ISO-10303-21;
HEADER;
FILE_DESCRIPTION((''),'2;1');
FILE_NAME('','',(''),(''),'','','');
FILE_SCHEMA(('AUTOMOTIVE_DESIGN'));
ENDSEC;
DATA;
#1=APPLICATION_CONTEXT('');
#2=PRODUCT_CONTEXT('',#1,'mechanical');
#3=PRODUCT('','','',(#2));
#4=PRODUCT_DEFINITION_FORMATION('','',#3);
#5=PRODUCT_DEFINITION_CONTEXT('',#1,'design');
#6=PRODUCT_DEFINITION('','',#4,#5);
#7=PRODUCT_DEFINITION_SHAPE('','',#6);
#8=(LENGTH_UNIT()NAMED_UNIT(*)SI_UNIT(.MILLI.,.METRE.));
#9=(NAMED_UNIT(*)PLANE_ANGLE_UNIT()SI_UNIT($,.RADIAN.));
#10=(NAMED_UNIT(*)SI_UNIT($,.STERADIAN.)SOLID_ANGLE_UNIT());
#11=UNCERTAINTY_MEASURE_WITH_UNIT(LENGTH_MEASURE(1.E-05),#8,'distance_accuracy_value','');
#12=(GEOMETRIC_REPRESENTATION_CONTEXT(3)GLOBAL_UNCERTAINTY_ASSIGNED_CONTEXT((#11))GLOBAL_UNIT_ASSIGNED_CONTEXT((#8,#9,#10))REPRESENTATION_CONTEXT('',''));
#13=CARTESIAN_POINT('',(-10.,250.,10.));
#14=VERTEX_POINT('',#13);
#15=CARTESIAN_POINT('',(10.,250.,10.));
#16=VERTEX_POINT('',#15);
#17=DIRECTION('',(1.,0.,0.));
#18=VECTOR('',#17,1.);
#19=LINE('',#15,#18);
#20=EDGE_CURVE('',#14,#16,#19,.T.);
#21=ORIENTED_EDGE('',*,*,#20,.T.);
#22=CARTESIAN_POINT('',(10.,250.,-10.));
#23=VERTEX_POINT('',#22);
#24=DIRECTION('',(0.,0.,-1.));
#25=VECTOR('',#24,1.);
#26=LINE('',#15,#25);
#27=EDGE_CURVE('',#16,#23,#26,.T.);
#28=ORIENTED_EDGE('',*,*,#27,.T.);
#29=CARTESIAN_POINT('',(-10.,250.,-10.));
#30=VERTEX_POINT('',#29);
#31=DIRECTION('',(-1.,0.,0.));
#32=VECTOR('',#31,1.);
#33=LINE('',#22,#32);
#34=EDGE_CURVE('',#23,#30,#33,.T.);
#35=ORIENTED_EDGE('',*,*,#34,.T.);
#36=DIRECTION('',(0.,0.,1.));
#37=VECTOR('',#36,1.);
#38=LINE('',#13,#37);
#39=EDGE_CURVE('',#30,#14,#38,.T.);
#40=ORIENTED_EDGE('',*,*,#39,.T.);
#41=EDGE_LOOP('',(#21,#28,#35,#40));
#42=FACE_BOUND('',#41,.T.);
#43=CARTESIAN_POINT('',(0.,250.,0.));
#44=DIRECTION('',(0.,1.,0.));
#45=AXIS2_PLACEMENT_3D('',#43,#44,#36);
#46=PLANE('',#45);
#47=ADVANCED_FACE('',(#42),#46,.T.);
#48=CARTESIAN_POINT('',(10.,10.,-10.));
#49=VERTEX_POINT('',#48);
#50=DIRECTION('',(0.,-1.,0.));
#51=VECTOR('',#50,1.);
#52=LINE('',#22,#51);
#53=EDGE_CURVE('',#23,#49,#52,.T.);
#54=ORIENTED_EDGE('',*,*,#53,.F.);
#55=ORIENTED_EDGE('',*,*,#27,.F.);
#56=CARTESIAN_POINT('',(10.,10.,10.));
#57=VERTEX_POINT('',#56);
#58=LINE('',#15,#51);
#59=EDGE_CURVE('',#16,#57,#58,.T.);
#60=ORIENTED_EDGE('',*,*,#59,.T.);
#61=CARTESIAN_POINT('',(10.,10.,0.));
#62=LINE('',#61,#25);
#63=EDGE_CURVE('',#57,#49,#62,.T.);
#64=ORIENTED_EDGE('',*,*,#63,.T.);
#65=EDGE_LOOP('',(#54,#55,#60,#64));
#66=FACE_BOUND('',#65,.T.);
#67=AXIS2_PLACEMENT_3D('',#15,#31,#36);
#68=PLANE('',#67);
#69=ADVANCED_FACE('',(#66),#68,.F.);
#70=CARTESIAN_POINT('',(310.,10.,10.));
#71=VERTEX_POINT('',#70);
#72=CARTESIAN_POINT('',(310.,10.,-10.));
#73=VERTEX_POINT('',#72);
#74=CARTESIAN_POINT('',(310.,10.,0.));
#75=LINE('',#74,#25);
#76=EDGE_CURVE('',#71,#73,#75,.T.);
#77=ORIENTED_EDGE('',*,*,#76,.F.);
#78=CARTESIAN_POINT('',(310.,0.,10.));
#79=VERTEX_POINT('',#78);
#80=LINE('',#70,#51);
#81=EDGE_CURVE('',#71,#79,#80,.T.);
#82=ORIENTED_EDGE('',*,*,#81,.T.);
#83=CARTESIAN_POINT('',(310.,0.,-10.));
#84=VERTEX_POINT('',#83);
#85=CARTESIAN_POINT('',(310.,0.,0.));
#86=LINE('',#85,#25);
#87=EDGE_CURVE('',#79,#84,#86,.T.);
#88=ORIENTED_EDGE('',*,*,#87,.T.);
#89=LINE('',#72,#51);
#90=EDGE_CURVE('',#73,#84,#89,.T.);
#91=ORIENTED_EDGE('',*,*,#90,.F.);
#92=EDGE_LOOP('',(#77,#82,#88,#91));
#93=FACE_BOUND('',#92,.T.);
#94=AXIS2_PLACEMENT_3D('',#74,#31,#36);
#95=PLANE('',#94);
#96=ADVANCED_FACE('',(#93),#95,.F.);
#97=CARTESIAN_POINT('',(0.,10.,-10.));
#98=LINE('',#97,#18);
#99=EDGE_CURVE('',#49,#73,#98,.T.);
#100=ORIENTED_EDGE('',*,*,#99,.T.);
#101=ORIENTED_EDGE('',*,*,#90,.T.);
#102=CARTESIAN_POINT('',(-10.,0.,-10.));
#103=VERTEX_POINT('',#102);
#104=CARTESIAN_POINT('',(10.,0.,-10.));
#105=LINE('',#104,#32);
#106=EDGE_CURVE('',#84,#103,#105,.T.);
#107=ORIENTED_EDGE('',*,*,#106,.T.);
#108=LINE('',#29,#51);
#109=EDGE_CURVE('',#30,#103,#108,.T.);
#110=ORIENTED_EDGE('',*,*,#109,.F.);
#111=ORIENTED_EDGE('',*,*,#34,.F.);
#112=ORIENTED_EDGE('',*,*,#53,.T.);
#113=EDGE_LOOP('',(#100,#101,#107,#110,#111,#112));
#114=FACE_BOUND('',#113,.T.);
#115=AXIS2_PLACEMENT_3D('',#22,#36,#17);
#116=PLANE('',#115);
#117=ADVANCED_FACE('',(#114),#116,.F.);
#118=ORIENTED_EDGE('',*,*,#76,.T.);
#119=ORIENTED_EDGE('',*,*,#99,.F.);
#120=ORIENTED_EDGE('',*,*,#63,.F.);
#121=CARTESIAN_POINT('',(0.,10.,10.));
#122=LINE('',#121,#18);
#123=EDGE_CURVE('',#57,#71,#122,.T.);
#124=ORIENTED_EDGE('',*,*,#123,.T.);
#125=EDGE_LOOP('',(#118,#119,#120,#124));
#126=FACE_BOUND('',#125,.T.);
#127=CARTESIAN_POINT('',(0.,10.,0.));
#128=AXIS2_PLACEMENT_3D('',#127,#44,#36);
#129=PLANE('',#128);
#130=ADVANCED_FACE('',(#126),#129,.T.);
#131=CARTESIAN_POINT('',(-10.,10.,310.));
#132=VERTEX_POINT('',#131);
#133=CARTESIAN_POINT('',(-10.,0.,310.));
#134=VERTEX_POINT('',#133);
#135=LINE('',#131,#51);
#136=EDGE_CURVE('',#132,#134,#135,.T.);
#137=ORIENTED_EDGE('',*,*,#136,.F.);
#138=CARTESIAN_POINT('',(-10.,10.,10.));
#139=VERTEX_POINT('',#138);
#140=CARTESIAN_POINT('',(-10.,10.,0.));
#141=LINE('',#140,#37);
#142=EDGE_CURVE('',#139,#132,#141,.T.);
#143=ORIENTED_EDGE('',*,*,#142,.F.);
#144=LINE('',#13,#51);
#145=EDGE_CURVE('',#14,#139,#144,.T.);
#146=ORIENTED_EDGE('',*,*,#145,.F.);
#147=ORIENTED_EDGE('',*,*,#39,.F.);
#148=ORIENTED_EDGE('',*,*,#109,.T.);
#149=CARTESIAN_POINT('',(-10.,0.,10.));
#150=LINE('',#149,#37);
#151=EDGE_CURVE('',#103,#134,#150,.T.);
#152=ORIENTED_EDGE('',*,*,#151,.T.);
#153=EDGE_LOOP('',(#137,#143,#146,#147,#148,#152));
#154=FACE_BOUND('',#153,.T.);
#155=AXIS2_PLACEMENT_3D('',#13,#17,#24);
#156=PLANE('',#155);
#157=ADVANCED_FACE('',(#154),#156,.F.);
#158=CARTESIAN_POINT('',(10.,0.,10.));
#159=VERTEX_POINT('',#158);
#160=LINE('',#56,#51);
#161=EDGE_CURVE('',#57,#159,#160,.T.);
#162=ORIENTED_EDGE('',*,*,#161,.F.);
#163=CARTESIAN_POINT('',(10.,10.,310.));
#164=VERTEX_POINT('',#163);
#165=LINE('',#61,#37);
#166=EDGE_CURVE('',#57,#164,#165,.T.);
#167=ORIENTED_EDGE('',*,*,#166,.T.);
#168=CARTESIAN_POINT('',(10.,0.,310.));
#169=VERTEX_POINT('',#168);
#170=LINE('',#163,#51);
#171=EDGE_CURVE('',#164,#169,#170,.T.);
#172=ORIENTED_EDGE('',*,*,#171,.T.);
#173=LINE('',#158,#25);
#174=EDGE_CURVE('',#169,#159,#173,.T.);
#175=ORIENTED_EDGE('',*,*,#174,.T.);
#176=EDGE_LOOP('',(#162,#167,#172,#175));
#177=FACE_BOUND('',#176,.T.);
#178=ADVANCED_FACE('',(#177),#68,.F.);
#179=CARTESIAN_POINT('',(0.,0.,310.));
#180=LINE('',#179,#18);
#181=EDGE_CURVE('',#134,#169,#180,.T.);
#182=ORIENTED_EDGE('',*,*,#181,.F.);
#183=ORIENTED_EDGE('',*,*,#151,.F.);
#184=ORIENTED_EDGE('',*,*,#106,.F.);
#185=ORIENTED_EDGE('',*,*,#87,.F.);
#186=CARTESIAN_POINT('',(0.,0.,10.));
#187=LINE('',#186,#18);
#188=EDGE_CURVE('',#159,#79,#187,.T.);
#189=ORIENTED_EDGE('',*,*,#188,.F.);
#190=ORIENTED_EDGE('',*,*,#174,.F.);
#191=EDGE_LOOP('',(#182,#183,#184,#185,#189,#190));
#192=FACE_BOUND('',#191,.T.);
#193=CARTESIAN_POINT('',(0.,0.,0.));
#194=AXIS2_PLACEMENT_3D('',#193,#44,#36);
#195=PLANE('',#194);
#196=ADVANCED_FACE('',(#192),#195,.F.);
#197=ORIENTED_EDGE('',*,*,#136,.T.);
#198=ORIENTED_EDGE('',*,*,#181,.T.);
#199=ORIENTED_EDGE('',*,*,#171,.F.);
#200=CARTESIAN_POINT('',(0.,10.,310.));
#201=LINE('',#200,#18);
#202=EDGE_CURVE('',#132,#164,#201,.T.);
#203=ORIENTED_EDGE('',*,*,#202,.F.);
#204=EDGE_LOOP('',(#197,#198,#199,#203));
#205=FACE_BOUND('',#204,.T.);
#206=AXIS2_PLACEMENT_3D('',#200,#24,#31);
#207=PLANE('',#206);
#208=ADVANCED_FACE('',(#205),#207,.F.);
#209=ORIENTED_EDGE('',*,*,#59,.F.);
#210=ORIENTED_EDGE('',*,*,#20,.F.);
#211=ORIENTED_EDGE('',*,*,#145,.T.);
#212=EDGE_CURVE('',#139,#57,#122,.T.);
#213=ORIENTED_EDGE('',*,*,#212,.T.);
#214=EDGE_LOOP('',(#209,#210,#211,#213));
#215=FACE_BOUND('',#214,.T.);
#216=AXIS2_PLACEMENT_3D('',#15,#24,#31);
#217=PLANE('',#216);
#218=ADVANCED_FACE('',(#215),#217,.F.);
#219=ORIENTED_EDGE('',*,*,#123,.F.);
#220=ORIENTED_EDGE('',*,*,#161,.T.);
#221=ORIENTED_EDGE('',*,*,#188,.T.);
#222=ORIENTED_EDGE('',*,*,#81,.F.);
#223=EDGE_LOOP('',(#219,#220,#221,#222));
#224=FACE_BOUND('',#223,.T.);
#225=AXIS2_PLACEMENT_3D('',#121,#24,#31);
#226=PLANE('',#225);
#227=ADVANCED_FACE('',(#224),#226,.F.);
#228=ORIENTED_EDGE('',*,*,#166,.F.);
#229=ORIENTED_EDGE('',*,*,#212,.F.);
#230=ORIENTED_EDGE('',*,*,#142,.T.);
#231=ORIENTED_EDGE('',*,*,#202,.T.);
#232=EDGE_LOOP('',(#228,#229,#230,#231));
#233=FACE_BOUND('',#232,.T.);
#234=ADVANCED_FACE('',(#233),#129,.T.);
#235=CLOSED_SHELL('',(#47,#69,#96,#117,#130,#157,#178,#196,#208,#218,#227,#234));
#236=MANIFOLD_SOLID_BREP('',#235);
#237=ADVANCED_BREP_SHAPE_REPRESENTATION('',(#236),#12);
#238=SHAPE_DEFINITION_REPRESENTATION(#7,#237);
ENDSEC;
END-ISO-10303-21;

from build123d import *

# Parameters (mm, degrees)
SKETCH1_W           = 20
SKETCH1_H           = 20
BOSS_EXTRUDE1_DEPTH = 250
SKETCH2_W           = 20
SKETCH2_H           = 300
SKETCH2_W_2         = 300
SKETCH2_H_2         = 20
BOSS_EXTRUDE2_DEPTH = 10


with BuildPart() as part:
    # Sketch1 → Boss-Extrude1 (new body)
    with BuildSketch(Plane(origin=(0, 0, 0), x_dir=(1, 0, 0), z_dir=(0, 1, 0))):
        Rectangle(SKETCH1_W, SKETCH1_H)
    extrude(amount=BOSS_EXTRUDE1_DEPTH)

    # Sketch2 → Boss-Extrude2 (add)
    with BuildSketch(Plane(origin=(0, 0, 0), x_dir=(1, 0, 0), z_dir=(0, 1, 0))):
        with Locations((0, -160)):
            Rectangle(SKETCH2_W, SKETCH2_H)
        with Locations((160, 0)):
            Rectangle(SKETCH2_W_2, SKETCH2_H_2)
    extrude(amount=BOSS_EXTRUDE2_DEPTH)


solid = part.part
